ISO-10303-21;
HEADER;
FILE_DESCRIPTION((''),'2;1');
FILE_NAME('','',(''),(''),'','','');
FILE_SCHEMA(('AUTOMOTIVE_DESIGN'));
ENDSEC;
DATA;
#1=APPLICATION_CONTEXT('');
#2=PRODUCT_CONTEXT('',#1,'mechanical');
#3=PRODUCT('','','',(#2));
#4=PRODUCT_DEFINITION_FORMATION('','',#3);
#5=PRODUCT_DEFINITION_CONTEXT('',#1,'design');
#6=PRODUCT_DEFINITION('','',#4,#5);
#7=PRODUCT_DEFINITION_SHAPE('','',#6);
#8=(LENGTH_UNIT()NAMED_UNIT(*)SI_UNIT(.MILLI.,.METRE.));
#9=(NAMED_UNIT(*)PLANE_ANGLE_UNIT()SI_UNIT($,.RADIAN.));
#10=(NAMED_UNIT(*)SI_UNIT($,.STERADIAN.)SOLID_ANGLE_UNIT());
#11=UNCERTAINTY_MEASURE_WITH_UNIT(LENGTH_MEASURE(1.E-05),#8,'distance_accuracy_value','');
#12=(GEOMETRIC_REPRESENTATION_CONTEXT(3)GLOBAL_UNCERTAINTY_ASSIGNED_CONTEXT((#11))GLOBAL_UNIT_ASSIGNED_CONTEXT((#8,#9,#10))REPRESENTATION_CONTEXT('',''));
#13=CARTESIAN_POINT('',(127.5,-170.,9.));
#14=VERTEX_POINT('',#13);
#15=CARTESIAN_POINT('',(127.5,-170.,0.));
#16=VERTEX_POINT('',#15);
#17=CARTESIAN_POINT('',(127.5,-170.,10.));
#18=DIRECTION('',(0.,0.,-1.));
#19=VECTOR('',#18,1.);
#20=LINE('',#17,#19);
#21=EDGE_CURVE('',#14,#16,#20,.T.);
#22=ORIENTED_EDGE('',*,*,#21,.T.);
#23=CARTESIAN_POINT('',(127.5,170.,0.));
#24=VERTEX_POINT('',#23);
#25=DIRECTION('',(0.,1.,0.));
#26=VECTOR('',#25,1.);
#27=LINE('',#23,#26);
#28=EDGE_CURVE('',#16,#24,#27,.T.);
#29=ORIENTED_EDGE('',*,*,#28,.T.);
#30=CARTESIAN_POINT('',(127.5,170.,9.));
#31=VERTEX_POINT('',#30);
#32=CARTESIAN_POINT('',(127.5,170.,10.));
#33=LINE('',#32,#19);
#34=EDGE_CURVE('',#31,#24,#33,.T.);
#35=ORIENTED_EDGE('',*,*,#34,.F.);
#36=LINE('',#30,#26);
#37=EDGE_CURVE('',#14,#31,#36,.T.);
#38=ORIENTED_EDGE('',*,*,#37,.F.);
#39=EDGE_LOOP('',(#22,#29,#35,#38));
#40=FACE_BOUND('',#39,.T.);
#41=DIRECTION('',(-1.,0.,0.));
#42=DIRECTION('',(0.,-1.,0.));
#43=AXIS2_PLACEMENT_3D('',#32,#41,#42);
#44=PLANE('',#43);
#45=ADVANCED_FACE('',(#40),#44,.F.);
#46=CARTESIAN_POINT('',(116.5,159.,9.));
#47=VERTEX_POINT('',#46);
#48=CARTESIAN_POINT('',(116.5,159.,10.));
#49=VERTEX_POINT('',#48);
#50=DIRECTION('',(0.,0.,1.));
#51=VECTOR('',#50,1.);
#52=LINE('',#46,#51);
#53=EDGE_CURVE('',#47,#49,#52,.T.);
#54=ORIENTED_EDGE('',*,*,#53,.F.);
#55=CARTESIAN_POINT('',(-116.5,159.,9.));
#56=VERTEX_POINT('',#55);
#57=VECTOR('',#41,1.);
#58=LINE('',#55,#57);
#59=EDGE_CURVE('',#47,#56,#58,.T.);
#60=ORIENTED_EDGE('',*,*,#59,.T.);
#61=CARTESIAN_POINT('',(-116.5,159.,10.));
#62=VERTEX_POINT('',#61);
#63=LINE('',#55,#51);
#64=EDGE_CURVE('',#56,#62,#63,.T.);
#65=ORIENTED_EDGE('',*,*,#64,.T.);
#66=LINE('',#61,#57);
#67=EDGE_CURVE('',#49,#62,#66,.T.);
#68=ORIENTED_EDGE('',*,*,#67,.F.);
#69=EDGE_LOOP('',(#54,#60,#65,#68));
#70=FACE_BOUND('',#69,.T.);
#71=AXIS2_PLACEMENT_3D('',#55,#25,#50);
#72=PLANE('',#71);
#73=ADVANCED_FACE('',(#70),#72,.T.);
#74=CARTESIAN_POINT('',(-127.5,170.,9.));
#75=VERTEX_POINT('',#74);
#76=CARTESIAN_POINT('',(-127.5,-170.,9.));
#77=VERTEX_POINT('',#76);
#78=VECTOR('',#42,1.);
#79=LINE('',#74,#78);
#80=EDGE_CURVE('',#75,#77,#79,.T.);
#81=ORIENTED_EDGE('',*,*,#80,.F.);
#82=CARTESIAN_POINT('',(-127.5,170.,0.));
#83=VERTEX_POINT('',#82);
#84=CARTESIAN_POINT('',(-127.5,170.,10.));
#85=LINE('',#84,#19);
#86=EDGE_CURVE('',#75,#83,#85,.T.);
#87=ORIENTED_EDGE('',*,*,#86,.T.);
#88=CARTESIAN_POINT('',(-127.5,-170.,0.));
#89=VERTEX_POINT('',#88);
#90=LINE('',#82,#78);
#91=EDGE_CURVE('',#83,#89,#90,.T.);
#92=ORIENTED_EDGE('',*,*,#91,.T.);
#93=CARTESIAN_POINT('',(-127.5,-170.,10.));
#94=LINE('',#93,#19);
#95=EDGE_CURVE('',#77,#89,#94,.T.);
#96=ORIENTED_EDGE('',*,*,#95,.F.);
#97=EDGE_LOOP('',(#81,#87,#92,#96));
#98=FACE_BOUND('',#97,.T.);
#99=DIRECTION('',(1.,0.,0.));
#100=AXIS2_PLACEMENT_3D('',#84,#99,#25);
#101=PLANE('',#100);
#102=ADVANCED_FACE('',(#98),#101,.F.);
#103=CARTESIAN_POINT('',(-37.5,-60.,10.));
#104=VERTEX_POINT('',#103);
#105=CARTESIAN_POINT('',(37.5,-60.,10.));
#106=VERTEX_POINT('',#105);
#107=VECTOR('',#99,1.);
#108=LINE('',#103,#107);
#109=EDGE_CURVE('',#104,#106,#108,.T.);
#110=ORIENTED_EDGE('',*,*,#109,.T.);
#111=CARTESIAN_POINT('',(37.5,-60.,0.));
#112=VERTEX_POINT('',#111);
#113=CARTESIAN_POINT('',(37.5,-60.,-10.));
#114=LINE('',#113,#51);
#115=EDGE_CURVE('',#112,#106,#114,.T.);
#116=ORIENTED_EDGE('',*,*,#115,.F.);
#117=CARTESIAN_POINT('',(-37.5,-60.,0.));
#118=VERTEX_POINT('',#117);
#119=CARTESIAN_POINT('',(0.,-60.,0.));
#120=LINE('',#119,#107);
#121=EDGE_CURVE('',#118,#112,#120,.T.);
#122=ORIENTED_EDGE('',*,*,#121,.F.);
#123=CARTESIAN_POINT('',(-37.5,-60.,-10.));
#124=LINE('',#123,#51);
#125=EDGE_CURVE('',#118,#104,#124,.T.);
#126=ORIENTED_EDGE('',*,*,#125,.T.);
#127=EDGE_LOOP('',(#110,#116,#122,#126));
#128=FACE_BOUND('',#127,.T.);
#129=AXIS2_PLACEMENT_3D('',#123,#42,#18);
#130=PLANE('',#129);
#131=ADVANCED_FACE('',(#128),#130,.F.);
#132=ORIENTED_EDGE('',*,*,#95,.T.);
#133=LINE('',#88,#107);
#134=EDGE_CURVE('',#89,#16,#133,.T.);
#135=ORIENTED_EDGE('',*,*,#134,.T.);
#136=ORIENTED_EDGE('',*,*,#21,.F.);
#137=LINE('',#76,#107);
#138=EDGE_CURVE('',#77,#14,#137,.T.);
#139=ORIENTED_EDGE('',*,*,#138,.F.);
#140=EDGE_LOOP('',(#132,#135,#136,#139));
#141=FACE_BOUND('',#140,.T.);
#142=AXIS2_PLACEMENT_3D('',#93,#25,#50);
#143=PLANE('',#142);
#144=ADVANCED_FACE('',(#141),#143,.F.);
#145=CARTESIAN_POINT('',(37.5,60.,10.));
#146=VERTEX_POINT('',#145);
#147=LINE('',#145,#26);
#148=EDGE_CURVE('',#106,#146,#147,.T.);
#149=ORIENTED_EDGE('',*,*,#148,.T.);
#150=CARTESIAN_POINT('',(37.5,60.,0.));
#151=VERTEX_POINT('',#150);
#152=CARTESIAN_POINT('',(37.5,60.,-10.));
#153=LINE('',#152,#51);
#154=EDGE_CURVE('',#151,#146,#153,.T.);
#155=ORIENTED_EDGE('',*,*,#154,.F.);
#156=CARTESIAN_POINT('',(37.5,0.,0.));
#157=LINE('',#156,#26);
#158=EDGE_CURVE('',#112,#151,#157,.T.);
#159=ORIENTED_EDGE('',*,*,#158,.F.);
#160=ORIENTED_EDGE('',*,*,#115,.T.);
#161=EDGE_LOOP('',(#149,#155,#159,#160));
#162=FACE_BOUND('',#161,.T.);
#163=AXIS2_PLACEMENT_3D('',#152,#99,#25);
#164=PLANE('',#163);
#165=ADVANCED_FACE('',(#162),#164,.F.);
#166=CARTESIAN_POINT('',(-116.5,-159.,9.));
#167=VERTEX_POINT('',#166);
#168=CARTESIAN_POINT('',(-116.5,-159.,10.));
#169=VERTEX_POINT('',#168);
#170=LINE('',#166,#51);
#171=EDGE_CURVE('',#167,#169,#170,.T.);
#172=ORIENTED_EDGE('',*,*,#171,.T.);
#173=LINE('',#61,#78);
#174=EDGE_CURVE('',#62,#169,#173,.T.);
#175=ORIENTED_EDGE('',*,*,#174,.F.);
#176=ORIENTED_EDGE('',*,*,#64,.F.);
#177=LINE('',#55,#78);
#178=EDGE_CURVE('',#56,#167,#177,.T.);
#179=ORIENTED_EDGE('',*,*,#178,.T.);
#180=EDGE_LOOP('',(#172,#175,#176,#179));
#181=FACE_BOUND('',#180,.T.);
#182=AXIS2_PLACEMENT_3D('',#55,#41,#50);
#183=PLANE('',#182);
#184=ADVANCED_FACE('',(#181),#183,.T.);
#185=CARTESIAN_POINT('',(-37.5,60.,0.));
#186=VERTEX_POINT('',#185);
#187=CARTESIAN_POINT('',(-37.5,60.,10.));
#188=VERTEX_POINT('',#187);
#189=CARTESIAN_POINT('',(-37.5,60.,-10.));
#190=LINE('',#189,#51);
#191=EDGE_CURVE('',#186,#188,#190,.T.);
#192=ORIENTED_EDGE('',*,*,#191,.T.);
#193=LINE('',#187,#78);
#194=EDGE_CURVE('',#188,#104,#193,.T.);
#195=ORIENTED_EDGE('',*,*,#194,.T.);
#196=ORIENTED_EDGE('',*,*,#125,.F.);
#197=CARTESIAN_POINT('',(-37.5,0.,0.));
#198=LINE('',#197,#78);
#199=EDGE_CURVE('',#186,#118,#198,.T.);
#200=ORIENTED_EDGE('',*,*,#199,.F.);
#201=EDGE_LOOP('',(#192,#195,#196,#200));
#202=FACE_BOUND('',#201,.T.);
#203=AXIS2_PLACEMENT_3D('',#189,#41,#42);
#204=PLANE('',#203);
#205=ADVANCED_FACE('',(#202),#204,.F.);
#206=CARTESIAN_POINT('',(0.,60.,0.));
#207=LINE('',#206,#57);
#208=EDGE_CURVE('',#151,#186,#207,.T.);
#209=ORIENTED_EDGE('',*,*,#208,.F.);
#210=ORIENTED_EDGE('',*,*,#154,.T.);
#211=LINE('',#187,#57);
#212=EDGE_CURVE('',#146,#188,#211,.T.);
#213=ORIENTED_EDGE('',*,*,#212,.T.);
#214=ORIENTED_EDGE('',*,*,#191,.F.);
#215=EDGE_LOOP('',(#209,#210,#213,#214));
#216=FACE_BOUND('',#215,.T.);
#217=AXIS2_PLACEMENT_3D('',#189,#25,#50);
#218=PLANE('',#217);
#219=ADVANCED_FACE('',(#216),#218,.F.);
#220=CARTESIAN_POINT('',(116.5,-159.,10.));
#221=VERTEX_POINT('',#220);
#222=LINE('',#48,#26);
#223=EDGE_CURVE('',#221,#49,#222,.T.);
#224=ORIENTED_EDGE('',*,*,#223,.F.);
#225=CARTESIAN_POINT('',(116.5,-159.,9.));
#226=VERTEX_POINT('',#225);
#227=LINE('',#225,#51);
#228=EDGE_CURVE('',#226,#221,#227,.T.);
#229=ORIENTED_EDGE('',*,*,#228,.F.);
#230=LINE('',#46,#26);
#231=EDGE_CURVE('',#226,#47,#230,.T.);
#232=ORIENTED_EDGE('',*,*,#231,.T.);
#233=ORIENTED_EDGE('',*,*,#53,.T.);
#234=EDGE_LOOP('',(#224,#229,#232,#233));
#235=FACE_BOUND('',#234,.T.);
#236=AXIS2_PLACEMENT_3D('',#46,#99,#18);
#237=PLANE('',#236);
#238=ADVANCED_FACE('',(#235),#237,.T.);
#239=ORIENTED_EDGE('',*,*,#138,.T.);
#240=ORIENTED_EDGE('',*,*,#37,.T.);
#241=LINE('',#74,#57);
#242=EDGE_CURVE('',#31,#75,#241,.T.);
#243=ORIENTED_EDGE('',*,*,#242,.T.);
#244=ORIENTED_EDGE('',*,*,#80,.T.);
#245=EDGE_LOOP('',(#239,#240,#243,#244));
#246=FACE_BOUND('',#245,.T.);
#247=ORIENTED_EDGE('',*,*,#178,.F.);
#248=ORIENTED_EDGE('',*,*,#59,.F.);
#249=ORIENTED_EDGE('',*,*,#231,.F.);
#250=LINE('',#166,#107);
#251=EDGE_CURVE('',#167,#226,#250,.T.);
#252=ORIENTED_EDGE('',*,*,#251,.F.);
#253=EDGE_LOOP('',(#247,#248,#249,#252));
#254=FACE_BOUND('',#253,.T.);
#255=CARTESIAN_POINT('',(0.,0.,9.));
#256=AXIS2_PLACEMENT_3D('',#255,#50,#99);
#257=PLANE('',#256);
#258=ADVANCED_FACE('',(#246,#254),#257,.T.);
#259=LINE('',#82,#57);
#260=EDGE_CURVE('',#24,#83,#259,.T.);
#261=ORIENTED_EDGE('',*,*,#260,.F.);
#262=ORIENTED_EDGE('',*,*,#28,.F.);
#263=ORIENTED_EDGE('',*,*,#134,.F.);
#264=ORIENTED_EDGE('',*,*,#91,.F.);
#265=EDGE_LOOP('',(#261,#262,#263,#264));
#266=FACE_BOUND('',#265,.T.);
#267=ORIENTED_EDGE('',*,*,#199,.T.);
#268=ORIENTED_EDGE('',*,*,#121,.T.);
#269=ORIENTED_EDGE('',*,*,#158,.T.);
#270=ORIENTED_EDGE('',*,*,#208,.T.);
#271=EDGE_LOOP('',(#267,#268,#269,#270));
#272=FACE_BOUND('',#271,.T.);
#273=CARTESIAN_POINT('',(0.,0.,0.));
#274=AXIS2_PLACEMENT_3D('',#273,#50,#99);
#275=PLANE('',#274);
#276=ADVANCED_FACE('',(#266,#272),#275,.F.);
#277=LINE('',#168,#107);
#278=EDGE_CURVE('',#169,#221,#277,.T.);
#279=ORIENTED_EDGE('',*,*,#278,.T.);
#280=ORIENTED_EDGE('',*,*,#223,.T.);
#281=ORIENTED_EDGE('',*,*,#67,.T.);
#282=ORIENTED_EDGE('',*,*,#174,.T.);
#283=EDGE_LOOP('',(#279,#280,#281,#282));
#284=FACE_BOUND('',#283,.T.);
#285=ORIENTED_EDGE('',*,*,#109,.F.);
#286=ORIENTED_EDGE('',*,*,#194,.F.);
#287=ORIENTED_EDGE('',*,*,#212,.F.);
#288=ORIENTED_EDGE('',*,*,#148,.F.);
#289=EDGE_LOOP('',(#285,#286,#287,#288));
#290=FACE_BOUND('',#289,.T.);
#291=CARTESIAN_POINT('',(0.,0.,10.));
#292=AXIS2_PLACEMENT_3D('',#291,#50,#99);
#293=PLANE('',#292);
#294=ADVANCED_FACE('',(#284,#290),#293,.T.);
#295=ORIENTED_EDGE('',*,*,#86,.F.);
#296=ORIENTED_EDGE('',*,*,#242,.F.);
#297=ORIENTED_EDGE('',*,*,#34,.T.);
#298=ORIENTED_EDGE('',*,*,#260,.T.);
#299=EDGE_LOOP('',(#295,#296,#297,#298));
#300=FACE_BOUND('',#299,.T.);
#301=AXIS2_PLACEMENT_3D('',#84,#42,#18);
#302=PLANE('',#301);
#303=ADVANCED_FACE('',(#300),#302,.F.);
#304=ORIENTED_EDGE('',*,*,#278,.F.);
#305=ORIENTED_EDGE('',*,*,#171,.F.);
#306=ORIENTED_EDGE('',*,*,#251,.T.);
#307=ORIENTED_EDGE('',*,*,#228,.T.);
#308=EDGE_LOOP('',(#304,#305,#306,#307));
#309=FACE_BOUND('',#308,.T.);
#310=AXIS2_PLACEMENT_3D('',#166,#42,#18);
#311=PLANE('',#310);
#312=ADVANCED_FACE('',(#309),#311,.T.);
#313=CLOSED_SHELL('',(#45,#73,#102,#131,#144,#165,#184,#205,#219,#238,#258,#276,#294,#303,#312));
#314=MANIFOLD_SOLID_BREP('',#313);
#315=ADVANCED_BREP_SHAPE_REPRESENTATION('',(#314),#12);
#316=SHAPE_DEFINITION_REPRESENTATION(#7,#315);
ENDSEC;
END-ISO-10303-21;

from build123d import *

# Parameters (mm, degrees)
ESQUISSE1_W             = 255
ESQUISSE1_H             = 340
BOSS_EXTRU_1_DEPTH      = 10
ESQUISSE2_W             = 255
ESQUISSE2_H             = 340
ESQUISSE2_W_2           = 233
ESQUISSE2_H_2           = 318
ENL_V_MAT_EXTRU_1_DEPTH = 1
SKETCH1_W               = 75
SKETCH1_H               = 120
CUT_EXTRUDE1_DEPTH      = 20


with BuildPart() as part:
    # Esquisse1 → Boss.-Extru.1 (new body)
    with BuildSketch(Plane.XY):
        Rectangle(ESQUISSE1_W, ESQUISSE1_H)
    extrude(amount=BOSS_EXTRU_1_DEPTH)

    # Esquisse2 → Enlèv. mat.-Extru.1 (cut)
    with BuildSketch(Plane.XY.offset(10)):
        Rectangle(ESQUISSE2_W, ESQUISSE2_H)
        Rectangle(ESQUISSE2_W_2, ESQUISSE2_H_2, mode=Mode.SUBTRACT)
    extrude(amount=-ENL_V_MAT_EXTRU_1_DEPTH, mode=Mode.SUBTRACT)

    # Sketch1 → Cut-Extrude1 (cut)
    with BuildSketch(Plane.XY.offset(10)):
        Rectangle(SKETCH1_W, SKETCH1_H)
    extrude(amount=-CUT_EXTRUDE1_DEPTH, mode=Mode.SUBTRACT)


solid = part.part
